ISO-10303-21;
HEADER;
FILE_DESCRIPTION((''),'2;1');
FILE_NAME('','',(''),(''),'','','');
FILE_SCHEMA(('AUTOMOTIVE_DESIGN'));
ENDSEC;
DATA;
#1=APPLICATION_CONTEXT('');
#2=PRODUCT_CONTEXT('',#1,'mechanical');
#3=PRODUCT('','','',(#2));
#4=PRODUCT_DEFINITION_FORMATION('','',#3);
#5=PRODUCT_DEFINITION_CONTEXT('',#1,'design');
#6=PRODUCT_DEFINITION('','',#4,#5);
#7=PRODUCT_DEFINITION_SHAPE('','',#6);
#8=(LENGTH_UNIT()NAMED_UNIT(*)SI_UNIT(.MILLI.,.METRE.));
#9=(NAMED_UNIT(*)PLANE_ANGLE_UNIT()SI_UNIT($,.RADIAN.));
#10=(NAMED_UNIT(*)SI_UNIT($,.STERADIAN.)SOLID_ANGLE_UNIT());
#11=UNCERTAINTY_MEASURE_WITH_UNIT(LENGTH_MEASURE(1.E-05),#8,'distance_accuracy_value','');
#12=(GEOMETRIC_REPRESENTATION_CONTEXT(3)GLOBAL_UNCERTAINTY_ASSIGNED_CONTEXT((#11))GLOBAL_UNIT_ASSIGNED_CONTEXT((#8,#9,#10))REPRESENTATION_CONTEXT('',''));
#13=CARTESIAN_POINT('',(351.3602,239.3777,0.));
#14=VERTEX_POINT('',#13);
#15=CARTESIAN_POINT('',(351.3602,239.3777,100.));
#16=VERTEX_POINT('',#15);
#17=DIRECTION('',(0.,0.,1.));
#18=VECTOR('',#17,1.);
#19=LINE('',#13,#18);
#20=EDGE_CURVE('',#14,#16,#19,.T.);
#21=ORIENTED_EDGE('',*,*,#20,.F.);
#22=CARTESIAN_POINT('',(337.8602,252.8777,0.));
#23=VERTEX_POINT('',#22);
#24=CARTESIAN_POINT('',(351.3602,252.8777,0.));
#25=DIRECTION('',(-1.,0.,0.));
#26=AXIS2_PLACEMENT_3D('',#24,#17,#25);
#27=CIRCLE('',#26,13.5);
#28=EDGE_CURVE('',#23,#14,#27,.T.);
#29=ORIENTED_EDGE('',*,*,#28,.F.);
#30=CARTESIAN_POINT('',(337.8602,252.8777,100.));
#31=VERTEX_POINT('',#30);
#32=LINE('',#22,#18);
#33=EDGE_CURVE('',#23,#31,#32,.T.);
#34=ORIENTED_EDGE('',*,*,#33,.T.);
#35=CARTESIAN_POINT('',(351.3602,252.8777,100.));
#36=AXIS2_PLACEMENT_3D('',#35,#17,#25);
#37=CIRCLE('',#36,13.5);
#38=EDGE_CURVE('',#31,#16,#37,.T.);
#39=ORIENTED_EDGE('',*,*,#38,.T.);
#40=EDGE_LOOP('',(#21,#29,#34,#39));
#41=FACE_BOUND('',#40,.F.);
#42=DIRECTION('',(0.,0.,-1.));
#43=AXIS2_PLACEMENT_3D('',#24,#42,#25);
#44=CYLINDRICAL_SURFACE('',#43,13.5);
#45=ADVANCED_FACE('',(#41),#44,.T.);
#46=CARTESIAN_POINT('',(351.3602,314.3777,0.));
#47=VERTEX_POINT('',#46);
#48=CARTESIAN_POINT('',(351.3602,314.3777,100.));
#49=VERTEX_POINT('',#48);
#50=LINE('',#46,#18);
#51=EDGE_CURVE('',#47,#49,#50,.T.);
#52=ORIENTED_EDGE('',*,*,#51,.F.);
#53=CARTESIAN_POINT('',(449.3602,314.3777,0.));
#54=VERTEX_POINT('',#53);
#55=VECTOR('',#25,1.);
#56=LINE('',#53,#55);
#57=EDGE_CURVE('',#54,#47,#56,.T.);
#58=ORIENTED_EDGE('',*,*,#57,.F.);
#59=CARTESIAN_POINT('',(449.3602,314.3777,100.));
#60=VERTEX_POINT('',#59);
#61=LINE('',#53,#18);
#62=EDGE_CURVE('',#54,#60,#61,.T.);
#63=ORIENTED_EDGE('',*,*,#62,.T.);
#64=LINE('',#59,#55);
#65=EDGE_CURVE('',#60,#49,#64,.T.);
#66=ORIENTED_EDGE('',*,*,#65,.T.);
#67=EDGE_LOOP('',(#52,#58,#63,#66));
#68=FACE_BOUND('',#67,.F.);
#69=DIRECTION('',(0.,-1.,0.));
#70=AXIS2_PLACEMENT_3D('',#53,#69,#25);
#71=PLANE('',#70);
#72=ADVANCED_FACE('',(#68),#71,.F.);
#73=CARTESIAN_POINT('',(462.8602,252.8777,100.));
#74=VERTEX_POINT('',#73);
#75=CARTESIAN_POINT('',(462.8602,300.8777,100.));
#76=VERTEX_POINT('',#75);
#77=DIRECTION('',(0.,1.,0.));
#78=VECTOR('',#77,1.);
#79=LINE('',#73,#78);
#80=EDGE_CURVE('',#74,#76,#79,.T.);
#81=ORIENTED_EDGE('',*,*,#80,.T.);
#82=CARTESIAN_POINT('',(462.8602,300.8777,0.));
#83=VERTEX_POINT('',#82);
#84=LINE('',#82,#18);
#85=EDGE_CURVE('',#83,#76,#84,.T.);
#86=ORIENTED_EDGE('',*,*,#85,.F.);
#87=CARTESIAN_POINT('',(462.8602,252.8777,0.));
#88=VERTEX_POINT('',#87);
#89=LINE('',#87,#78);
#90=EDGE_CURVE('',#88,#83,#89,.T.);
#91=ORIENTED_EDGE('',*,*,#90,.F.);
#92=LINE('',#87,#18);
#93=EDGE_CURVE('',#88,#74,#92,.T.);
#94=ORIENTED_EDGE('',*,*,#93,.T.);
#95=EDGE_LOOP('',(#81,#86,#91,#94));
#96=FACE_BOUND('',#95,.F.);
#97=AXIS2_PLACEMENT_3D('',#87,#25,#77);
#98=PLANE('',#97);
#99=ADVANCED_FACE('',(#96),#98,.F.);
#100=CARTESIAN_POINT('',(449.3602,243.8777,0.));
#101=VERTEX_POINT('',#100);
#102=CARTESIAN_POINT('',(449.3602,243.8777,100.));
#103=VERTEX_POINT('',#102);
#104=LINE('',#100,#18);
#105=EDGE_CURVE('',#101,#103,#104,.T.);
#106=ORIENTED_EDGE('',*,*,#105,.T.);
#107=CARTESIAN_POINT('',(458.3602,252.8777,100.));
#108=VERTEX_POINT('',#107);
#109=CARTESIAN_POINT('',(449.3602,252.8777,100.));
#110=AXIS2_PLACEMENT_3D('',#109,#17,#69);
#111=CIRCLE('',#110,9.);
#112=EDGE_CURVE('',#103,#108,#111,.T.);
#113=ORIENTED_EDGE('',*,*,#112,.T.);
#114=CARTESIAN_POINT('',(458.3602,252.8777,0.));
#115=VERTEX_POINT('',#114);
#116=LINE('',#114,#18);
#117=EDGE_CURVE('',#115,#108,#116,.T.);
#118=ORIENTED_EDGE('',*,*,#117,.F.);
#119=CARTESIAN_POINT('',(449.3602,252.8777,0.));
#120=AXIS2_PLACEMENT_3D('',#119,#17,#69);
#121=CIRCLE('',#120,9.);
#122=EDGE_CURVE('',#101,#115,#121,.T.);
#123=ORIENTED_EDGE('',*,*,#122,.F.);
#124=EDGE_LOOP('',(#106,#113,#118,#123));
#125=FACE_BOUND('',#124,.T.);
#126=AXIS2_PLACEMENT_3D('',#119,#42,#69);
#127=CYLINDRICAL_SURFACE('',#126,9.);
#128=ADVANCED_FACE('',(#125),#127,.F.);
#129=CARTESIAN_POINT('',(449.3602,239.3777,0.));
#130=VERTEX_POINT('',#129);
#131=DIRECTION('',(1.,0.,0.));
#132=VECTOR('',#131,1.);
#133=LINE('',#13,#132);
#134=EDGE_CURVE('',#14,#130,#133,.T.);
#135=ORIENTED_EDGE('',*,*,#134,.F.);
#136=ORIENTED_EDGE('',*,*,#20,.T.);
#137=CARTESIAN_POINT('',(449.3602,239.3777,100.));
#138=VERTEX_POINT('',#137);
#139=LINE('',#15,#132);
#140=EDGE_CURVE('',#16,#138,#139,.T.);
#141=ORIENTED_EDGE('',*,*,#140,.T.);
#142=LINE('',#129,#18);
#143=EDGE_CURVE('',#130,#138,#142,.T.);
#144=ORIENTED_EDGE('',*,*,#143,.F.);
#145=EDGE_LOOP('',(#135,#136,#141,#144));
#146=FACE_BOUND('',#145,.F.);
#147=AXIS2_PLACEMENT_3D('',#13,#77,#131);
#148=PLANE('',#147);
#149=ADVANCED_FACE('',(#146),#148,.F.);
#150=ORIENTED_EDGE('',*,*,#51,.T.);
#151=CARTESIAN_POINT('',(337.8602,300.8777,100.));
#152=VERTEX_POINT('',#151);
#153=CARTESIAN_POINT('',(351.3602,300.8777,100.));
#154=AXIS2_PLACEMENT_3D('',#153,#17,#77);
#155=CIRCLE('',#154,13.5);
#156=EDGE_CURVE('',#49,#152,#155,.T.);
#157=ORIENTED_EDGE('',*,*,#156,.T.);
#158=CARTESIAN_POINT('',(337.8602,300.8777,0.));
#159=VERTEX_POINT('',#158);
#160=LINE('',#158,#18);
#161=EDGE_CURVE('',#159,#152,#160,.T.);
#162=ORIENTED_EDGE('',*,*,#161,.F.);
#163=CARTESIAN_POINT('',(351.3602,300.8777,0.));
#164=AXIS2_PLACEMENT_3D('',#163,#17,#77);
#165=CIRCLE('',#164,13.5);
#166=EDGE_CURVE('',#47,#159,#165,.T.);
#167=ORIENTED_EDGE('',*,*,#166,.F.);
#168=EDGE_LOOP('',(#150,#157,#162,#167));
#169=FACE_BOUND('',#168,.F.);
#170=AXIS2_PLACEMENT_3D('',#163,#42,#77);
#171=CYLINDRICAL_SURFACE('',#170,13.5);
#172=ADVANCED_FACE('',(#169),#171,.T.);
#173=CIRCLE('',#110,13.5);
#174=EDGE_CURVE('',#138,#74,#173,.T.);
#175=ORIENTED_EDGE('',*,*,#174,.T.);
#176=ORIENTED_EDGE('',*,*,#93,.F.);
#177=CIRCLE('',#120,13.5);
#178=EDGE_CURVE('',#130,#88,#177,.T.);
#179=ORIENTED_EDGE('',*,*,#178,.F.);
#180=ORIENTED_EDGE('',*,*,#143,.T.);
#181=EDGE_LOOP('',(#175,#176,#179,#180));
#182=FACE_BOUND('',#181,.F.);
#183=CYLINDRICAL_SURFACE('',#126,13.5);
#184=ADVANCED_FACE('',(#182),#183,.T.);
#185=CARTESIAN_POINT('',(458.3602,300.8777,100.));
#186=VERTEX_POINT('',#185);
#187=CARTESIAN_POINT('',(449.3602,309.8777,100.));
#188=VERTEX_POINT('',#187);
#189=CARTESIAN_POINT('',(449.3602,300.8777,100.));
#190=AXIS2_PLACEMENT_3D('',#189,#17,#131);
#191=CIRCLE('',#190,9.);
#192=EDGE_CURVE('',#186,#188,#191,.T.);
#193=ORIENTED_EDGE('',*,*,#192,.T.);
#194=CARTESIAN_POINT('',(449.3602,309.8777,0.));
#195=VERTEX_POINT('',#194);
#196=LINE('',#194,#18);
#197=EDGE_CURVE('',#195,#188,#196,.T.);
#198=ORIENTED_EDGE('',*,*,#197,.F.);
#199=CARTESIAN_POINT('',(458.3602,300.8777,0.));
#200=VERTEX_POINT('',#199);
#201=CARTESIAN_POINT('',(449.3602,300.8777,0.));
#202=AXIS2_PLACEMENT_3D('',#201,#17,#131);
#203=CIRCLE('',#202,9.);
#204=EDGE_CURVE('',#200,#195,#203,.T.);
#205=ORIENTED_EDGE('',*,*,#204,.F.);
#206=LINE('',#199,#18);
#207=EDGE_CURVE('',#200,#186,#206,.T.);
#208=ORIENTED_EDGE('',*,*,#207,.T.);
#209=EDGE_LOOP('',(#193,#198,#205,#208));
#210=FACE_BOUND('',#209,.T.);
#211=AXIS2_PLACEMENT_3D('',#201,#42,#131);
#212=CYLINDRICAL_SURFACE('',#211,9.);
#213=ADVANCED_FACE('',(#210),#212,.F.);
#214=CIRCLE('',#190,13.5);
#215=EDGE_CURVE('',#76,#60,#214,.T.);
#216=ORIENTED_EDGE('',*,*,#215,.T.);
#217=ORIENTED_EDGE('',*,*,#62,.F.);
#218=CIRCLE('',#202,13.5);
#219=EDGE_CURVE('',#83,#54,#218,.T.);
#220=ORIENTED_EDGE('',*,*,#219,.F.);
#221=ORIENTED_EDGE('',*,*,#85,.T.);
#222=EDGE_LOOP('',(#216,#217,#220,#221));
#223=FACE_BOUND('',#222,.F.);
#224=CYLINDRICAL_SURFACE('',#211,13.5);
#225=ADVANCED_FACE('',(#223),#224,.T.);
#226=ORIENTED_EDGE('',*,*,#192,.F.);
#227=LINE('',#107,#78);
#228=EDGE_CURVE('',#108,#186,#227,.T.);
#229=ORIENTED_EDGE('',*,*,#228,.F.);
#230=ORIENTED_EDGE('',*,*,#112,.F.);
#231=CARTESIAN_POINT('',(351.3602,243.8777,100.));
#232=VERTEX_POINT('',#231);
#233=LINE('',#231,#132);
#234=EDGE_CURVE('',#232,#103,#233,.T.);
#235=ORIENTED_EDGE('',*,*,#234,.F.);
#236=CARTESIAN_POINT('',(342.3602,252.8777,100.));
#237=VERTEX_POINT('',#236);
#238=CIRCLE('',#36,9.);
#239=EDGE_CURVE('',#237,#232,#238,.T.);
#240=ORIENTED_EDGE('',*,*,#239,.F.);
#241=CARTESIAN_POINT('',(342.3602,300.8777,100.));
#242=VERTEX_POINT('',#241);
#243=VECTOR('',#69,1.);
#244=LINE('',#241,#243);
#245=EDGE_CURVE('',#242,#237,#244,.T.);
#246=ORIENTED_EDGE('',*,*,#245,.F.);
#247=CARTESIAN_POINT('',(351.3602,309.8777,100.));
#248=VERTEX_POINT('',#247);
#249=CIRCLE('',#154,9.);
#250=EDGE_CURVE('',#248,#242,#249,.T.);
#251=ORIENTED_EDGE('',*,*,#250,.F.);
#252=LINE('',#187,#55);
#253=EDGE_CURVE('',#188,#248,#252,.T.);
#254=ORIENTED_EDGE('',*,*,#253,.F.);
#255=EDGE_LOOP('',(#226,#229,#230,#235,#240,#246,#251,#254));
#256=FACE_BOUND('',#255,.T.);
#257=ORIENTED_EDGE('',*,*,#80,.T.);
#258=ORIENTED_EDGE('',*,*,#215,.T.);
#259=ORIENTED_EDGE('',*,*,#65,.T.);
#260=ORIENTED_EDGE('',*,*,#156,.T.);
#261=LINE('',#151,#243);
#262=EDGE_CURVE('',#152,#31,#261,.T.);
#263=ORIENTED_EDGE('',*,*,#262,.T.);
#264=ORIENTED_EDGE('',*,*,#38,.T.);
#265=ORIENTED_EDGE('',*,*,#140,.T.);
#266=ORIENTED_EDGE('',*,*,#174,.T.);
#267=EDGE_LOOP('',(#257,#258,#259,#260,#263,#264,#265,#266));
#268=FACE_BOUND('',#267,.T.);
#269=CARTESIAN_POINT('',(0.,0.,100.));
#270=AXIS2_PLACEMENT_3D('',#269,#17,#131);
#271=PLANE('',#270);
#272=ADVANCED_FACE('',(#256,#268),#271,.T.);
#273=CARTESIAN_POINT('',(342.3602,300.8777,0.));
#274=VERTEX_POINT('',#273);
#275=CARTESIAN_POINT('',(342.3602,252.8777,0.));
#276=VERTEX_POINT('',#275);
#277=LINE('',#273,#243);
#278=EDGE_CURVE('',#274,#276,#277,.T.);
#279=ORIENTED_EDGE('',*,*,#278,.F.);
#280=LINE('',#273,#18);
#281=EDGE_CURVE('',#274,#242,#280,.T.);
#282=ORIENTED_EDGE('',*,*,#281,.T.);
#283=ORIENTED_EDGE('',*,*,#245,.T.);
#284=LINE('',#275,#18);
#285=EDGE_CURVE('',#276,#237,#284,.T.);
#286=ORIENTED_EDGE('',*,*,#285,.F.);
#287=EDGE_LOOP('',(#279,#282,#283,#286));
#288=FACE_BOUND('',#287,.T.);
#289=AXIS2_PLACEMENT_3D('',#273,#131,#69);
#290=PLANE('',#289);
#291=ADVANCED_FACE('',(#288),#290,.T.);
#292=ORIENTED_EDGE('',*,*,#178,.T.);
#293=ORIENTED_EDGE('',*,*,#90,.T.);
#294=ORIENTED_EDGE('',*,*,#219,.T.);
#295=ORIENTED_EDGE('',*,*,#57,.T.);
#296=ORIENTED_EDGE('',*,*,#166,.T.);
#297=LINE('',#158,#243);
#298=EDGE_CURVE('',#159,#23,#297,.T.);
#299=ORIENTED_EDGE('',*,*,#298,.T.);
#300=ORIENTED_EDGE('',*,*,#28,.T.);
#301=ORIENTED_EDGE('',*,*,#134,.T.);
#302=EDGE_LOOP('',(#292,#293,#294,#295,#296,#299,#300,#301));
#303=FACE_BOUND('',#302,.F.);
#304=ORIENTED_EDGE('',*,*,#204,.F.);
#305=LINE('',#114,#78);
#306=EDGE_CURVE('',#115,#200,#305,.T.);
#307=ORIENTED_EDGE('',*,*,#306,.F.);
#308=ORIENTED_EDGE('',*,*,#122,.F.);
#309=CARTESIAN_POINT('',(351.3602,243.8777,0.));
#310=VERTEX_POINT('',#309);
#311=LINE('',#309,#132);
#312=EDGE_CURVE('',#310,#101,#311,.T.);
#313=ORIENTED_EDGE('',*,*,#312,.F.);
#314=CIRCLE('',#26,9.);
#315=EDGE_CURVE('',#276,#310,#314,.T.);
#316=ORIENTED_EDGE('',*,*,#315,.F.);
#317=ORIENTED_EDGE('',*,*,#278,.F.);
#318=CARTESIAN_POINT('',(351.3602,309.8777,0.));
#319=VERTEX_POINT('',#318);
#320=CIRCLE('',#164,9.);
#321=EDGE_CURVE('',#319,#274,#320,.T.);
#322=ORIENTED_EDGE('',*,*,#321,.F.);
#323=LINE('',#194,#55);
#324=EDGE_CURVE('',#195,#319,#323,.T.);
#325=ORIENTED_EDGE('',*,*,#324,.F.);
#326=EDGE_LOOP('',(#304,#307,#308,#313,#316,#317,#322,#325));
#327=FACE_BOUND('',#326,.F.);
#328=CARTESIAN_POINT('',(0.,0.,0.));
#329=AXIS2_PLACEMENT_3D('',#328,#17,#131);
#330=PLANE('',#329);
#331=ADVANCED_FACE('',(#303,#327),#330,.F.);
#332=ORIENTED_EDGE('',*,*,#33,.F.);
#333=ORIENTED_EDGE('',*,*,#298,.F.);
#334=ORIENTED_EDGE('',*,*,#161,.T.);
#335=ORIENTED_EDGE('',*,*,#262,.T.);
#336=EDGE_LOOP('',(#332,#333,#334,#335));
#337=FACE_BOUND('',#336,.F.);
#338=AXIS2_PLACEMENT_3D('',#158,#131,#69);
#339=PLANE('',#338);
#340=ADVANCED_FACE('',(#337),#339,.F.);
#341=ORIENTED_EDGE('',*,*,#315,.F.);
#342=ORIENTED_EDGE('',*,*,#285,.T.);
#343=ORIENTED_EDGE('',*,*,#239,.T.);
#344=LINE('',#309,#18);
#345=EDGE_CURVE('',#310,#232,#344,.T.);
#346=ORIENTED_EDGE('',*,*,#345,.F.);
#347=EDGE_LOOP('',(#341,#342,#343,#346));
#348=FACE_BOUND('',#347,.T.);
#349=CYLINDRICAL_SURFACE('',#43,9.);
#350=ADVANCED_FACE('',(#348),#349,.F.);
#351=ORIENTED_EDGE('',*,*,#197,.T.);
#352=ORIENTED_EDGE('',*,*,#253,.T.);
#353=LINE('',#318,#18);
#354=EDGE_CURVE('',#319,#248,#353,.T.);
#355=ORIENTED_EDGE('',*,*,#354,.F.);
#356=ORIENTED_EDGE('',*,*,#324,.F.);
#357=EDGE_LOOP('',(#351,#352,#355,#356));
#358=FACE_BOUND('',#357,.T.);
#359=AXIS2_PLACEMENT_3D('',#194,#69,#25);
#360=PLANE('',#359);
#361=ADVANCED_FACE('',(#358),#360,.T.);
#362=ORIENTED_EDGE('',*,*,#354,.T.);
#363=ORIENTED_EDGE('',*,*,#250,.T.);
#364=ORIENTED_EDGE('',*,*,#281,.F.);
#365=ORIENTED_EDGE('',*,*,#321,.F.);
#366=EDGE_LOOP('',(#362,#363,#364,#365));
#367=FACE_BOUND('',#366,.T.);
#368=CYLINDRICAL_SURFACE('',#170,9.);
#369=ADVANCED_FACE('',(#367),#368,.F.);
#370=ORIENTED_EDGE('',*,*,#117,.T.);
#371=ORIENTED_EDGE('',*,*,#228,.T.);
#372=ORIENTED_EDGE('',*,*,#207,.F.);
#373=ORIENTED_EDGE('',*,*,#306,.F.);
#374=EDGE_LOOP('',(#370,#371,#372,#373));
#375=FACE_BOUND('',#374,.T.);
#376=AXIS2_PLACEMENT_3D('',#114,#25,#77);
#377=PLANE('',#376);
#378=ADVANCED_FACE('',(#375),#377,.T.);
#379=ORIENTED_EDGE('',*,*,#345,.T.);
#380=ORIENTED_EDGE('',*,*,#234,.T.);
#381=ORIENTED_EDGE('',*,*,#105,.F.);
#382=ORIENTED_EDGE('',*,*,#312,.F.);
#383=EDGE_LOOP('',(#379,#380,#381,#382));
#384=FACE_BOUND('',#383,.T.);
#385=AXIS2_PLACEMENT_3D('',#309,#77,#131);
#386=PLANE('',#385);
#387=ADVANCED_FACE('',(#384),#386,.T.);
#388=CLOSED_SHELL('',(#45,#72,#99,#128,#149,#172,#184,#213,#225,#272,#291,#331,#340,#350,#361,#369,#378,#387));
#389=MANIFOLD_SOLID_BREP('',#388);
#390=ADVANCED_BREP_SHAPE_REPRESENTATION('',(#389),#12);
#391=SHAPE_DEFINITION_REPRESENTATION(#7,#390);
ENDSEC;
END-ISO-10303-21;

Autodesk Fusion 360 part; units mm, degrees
sketch "スケッチ1" plane through (0, 0, 0) normal (0, 0, 1) x (1, 0, 0)
  arc A0 (449.3602, 239.3777) -> (462.8602, 252.8777) centre (449.3602, 252.8777) ccw
  arc A1 (449.3602, 243.8777) -> (458.3602, 252.8777) centre (449.3602, 252.8777) ccw
  arc A2 (337.8602, 252.8777) -> (351.3602, 239.3777) centre (351.3602, 252.8777) ccw
  arc A3 (342.3602, 252.8777) -> (351.3602, 243.8777) centre (351.3602, 252.8777) ccw
  line L0 (351.3602, 239.3777) -> (449.3602, 239.3777)
  line L1 (351.3602, 243.8777) -> (449.3602, 243.8777)
  line L2 (449.3602, 314.3777) -> (351.3602, 314.3777)
  line L3 (449.3602, 309.8777) -> (351.3602, 309.8777)
  line L4 (337.8602, 300.8777) -> (337.8602, 252.8777)
  line L5 (342.3602, 300.8777) -> (342.3602, 252.8777)
  arc A4 (351.3602, 314.3777) -> (337.8602, 300.8777) centre (351.3602, 300.8777) ccw
  arc A5 (351.3602, 309.8777) -> (342.3602, 300.8777) centre (351.3602, 300.8777) ccw
  line L6 (462.8602, 252.8777) -> (462.8602, 300.8777)
  line L7 (458.3602, 252.8777) -> (458.3602, 300.8777)
  arc A6 (462.8602, 300.8777) -> (449.3602, 314.3777) centre (449.3602, 300.8777) ccw
  arc A7 (458.3602, 300.8777) -> (449.3602, 309.8777) centre (449.3602, 300.8777) ccw
  point P0 (400.3602, 276.8777)
extrude "押し出し1" add sketch "スケッチ1" along normal blind 100
